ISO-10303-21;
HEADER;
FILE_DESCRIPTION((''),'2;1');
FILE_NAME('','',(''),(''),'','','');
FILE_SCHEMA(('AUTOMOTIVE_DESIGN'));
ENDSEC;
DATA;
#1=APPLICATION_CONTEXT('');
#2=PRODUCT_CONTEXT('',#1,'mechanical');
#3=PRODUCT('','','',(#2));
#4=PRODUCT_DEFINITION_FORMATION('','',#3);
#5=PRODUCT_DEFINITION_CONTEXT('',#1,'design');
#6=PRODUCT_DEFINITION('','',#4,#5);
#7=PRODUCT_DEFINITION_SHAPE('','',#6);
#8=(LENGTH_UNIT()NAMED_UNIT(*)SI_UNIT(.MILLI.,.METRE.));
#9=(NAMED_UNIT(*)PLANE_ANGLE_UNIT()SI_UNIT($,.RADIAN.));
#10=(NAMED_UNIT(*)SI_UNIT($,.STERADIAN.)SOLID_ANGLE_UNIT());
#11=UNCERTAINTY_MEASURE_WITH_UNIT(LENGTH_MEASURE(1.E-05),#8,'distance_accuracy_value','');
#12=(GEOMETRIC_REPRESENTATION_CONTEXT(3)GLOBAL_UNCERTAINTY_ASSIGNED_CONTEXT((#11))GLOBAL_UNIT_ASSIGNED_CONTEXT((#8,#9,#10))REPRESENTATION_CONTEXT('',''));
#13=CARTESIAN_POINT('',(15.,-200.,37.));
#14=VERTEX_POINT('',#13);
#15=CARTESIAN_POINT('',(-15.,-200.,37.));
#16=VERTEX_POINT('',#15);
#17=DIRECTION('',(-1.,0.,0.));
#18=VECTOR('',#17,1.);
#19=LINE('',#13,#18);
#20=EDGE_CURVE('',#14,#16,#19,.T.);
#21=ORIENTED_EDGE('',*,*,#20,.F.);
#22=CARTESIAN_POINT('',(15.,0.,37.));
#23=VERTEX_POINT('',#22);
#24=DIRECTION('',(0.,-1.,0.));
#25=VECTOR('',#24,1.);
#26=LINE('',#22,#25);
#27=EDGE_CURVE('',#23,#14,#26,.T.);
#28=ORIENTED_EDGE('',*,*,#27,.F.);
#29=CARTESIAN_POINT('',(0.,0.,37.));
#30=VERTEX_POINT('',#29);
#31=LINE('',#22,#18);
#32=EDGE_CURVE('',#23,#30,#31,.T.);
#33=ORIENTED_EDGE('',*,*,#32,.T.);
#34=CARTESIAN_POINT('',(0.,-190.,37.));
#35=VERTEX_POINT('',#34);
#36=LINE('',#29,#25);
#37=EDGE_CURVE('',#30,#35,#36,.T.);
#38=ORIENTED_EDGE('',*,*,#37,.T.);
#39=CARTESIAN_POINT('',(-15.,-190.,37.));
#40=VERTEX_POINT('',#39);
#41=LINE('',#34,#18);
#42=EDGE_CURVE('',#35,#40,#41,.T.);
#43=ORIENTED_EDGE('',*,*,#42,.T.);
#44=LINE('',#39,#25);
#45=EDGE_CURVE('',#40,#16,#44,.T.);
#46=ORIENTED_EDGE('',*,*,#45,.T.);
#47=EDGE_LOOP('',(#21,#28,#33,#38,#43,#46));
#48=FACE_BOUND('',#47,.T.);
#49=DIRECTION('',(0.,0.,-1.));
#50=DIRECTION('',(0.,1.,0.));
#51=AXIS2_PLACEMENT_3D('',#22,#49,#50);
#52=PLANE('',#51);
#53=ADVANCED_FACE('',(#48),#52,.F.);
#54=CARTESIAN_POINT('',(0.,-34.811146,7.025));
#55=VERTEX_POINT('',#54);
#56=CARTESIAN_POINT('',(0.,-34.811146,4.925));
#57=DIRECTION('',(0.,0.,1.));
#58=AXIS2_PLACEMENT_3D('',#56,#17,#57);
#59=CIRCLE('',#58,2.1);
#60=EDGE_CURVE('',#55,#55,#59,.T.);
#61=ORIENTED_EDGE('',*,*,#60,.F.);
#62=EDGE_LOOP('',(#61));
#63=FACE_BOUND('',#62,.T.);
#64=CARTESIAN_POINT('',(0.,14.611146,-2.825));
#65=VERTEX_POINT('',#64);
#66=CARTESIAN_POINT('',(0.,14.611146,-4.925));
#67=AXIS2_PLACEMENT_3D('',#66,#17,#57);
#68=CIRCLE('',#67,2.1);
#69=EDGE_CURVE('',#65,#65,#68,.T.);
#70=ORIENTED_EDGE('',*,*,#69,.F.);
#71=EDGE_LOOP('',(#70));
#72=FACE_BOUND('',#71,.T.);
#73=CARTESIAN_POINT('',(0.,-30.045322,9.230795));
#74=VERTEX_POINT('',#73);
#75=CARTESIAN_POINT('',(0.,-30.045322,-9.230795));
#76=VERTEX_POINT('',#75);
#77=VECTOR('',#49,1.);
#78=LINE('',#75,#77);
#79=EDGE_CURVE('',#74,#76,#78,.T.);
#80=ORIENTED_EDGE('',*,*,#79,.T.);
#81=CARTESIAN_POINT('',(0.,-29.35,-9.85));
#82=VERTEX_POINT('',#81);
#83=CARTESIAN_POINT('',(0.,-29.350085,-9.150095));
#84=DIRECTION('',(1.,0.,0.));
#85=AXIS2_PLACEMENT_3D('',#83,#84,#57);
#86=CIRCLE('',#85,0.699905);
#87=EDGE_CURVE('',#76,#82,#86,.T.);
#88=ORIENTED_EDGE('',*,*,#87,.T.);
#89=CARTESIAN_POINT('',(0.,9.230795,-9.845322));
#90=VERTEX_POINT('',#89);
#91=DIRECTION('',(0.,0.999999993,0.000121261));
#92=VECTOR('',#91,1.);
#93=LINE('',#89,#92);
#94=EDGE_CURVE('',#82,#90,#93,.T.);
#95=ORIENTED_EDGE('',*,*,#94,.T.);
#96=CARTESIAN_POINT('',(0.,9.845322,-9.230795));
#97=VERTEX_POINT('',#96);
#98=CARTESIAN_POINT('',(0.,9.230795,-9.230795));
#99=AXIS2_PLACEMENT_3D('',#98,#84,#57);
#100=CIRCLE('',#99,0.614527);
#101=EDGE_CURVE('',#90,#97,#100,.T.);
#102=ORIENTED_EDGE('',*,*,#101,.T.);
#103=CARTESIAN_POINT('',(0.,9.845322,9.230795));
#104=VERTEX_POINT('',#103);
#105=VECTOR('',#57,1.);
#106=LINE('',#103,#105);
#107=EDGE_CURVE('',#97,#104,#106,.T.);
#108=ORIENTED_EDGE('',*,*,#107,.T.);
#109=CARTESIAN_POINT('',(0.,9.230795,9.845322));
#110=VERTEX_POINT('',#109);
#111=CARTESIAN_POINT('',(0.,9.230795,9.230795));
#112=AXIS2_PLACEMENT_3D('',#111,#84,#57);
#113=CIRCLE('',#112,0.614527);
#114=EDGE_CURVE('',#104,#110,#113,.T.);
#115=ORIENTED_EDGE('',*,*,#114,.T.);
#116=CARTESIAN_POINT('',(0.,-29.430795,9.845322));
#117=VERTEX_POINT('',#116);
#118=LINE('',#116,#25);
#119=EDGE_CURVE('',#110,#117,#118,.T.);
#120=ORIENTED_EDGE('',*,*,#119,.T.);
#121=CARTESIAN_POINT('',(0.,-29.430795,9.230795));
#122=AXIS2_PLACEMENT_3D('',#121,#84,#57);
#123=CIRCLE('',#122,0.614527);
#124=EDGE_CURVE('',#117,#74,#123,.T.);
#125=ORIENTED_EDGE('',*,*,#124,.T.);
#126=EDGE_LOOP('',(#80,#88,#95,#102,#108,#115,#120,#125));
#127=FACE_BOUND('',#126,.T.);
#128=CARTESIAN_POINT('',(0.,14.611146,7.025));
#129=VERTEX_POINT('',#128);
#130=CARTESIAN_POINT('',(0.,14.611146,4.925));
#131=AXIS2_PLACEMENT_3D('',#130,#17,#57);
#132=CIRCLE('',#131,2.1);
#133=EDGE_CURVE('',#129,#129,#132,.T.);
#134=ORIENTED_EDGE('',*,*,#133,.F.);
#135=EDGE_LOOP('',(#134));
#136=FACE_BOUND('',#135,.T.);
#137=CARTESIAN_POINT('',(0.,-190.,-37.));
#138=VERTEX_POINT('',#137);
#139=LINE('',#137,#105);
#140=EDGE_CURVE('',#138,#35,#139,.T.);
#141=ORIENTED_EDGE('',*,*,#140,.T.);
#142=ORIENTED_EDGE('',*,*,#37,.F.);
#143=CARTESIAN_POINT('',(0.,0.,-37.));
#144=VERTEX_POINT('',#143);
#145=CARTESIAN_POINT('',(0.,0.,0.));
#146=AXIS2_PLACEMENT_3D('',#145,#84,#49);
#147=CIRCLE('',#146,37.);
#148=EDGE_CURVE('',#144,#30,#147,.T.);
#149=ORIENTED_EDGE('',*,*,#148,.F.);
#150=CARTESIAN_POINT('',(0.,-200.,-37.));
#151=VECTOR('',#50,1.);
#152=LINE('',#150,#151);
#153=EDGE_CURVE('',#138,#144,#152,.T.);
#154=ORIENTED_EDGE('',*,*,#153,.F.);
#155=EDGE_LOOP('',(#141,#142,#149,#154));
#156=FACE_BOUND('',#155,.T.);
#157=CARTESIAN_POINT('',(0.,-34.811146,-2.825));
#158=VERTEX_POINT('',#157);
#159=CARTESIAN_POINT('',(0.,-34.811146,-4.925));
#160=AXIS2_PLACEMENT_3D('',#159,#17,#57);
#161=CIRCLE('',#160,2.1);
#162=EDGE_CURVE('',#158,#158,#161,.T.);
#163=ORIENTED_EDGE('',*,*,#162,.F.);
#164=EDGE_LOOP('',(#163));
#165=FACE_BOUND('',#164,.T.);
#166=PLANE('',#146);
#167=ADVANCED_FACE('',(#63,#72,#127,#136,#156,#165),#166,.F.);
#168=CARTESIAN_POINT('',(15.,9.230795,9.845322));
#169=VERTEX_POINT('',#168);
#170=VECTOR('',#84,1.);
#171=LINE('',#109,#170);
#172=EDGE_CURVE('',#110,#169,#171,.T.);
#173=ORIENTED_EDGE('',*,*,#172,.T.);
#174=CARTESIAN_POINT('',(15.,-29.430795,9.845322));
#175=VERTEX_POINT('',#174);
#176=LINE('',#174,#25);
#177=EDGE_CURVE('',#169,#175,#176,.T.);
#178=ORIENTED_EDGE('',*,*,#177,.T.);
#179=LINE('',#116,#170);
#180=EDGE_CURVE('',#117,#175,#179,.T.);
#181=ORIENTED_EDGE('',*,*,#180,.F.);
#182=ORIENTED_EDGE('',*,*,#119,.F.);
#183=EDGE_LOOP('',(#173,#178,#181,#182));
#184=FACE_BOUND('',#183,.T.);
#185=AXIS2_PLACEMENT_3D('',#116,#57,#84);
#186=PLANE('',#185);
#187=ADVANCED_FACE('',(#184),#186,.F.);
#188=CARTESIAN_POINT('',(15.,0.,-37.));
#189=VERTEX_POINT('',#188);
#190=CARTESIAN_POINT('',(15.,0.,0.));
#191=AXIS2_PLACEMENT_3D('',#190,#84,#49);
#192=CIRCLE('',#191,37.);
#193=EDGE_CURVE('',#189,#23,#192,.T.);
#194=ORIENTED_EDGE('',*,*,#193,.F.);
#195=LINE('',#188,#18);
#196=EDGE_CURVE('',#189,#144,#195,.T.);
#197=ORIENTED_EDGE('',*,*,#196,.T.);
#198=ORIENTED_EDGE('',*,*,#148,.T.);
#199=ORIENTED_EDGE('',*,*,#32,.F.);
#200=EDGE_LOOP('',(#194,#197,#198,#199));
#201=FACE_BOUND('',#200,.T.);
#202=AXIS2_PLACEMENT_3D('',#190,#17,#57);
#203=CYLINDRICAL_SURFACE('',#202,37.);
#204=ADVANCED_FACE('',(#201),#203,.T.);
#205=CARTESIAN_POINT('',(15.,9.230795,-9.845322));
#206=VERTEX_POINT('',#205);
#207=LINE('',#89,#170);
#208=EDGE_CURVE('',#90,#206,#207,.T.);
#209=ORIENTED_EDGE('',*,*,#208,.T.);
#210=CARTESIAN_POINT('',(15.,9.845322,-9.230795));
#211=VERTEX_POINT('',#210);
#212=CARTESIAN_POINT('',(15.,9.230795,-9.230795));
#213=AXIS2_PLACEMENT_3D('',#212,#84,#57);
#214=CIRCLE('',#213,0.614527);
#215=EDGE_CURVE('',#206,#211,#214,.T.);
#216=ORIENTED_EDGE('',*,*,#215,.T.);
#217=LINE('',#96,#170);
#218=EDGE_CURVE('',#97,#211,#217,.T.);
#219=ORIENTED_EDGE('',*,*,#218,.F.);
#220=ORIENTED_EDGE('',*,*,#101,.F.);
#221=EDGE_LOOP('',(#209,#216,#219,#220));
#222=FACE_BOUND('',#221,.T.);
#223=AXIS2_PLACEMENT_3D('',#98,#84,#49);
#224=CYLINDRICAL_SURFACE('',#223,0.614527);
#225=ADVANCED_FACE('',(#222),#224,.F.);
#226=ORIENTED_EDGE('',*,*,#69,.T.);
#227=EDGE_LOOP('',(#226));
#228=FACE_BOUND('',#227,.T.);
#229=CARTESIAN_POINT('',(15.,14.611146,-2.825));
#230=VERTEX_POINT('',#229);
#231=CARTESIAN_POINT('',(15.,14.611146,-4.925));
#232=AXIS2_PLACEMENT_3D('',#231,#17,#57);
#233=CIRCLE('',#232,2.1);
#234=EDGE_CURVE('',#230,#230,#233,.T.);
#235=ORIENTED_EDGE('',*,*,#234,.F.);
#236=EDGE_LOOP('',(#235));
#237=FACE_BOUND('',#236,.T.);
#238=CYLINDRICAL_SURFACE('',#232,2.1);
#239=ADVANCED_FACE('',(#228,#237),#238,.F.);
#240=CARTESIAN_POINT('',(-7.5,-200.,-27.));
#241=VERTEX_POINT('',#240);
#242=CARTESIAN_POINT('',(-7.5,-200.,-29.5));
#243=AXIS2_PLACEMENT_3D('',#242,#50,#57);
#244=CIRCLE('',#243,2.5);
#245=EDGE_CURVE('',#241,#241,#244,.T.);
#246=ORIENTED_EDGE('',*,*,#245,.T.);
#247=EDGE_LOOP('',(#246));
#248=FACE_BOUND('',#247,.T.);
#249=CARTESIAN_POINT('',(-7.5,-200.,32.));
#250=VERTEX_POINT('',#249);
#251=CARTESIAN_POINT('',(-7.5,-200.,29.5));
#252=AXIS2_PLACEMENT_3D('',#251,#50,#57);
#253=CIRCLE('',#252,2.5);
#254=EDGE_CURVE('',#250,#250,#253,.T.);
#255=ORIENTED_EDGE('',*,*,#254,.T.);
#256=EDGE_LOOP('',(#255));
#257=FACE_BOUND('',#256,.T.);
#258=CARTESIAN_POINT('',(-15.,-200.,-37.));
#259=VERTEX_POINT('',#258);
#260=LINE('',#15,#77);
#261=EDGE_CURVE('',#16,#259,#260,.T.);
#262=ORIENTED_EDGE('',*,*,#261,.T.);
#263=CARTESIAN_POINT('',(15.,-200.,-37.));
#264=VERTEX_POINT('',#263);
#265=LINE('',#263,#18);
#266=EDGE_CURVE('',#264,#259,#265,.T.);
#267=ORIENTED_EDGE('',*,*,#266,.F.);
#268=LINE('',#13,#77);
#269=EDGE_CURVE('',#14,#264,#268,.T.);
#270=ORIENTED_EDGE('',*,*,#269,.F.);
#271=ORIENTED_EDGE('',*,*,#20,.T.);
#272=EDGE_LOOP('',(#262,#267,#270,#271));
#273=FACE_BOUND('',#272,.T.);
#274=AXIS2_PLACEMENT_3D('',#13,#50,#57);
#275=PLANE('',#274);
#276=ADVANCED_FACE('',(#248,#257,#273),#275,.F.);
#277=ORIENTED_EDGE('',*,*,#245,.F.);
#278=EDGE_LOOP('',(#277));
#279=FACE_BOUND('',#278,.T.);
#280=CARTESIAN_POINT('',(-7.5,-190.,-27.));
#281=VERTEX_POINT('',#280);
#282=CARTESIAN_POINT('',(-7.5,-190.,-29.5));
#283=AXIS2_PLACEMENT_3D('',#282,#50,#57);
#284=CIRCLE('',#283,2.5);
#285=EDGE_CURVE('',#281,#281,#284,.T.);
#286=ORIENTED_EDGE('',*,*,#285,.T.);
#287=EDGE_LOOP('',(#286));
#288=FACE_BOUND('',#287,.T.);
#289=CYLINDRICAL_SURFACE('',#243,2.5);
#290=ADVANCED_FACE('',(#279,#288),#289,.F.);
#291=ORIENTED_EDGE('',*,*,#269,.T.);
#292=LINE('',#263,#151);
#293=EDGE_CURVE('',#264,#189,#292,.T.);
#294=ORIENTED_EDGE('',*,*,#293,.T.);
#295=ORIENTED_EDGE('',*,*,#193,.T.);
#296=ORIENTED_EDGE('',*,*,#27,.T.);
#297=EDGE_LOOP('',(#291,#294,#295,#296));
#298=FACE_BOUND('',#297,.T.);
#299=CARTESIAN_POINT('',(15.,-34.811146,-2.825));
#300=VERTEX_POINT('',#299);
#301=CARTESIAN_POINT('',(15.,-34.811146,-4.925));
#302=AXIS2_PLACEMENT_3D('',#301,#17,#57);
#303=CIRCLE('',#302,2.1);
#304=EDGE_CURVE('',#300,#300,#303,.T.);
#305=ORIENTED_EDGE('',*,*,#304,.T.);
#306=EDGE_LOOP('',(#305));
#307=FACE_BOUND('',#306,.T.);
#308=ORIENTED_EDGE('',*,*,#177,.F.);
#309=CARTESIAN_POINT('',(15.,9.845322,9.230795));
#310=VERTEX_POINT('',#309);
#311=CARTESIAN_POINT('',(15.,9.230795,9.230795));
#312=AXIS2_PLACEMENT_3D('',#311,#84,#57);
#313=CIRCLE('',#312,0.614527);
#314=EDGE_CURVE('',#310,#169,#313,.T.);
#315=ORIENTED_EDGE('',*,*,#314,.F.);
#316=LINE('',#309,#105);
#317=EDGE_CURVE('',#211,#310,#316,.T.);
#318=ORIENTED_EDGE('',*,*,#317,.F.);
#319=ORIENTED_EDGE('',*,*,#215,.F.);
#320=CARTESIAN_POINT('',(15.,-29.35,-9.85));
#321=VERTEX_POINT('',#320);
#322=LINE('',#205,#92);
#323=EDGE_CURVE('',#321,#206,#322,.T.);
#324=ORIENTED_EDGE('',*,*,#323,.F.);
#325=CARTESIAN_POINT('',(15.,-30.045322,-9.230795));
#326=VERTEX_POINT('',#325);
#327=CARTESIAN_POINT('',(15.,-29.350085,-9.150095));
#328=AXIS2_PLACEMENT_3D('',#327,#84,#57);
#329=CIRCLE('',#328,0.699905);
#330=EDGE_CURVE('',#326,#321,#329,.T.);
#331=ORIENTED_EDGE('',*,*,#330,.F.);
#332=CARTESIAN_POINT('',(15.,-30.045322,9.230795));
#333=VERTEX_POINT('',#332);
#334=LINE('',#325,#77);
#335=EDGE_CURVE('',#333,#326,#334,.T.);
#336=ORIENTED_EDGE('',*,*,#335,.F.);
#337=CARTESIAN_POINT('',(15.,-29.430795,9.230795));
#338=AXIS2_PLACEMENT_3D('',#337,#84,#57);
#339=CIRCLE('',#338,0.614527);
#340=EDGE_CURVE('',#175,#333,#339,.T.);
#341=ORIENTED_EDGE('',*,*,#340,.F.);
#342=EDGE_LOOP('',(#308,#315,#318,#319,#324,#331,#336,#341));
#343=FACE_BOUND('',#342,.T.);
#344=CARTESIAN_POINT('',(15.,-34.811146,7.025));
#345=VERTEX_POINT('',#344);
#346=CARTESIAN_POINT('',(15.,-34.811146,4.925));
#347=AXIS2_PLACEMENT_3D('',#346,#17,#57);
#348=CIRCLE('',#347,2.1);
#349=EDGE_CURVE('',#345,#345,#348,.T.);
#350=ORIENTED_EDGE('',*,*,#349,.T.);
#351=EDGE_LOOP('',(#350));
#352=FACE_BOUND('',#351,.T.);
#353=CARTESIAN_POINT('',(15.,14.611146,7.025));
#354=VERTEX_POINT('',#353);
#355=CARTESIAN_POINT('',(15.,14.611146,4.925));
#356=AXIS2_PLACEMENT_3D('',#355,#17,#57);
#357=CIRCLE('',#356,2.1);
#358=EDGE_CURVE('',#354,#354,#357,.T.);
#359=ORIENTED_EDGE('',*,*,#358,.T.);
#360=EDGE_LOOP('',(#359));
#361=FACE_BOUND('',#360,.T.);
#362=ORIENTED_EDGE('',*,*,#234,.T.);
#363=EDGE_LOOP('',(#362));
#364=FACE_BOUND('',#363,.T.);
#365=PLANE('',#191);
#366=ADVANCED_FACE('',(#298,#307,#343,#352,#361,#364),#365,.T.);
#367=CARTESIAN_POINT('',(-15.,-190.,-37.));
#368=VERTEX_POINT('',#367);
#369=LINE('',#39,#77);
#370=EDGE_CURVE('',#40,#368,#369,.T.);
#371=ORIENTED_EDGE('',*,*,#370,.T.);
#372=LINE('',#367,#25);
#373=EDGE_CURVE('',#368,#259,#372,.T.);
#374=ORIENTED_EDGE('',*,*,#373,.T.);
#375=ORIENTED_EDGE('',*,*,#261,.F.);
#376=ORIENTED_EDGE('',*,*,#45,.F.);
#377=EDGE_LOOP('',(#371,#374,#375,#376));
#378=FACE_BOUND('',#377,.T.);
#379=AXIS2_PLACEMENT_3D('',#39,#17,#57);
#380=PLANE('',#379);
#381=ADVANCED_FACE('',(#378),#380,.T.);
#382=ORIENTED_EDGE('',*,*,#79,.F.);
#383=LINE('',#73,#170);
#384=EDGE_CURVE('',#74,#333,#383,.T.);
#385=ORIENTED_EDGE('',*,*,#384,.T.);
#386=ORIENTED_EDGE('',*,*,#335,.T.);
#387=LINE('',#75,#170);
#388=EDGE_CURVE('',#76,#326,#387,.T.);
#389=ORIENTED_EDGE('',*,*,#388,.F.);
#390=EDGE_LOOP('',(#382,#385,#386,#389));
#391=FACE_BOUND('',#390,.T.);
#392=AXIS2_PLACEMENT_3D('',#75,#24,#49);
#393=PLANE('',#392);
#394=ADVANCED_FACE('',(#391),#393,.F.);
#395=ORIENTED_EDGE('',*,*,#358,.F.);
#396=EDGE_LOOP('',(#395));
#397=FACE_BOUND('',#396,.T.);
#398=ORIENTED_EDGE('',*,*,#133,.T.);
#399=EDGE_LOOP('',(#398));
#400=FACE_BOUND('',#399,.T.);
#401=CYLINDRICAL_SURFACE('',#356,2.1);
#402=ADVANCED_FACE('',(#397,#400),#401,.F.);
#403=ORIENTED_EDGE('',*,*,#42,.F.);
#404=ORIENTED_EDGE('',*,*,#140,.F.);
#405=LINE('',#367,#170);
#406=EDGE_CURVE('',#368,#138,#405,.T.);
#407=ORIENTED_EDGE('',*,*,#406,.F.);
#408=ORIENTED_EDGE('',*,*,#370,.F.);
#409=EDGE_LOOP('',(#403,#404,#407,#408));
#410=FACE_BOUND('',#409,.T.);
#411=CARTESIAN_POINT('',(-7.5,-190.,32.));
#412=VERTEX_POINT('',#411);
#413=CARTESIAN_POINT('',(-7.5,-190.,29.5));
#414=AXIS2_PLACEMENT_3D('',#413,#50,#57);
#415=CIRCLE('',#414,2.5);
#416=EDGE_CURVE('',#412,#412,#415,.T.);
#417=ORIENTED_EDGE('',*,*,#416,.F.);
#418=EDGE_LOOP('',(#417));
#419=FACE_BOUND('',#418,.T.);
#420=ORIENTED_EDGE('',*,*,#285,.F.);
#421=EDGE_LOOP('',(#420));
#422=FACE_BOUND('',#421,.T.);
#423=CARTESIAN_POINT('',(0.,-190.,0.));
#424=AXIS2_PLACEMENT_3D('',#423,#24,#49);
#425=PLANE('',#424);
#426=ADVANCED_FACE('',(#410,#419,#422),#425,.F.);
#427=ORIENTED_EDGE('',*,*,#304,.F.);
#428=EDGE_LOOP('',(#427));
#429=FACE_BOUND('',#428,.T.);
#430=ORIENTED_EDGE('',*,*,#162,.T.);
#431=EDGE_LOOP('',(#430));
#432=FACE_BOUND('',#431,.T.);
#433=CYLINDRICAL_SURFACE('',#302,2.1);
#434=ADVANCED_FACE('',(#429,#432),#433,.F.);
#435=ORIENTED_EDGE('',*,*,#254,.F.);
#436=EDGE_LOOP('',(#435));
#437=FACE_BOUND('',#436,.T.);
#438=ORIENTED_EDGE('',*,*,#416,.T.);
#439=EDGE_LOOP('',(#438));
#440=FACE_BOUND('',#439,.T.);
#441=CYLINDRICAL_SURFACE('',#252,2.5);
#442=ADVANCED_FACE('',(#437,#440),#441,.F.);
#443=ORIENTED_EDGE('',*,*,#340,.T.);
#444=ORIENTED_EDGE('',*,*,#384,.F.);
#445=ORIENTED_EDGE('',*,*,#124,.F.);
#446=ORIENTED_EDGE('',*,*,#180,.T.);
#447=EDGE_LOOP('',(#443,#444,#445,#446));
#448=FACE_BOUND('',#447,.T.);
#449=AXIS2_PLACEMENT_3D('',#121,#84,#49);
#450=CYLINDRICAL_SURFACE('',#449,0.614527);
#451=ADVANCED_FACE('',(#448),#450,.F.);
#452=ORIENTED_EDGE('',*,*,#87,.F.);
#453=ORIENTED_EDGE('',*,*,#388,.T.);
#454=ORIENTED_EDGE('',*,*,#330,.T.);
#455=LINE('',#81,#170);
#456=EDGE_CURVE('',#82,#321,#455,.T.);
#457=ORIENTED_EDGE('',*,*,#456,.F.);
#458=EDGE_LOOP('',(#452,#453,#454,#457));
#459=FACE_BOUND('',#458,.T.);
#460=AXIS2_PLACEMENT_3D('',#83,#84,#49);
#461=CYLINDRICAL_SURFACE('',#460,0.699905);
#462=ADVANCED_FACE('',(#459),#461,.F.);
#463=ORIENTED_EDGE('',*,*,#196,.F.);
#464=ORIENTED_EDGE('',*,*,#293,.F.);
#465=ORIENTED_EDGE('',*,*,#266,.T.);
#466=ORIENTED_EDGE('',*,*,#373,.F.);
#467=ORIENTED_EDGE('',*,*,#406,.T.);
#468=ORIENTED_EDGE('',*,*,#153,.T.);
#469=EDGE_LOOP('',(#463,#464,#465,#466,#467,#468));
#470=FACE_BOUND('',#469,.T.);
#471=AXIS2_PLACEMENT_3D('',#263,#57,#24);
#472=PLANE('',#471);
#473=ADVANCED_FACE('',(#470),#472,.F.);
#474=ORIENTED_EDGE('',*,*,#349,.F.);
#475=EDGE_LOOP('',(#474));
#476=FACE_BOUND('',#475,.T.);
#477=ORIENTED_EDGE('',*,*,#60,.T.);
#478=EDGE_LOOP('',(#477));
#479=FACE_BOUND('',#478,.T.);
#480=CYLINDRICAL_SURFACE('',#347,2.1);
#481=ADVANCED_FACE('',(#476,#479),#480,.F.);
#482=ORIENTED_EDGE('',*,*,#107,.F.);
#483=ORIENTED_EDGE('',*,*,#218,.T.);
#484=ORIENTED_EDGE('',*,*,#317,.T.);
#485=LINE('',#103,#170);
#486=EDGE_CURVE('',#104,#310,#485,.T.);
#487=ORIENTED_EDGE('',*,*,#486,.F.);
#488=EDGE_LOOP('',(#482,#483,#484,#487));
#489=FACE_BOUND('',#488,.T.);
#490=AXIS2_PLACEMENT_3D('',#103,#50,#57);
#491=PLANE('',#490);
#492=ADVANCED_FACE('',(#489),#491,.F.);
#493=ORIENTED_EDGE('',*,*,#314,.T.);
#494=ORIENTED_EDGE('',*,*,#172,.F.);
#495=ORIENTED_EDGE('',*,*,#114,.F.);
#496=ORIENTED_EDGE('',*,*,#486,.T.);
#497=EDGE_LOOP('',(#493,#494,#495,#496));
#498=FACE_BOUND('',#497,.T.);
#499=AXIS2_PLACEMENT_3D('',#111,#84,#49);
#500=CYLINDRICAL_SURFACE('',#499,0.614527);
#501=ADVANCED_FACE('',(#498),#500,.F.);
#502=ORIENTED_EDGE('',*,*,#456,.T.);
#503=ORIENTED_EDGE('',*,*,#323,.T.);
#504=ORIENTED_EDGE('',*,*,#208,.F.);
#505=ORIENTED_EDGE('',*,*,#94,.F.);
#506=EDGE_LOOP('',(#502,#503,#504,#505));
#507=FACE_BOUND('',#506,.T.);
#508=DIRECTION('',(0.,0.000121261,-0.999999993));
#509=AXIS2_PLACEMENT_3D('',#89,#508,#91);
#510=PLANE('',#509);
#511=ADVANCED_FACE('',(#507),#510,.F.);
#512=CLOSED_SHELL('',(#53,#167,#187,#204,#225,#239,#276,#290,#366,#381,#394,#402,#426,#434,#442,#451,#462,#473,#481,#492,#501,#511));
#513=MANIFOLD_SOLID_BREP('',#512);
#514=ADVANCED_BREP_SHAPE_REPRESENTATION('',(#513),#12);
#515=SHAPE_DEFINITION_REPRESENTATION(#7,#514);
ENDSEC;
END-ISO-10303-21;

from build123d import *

# Parameters (mm, degrees)
BOSS_EXTRUDE1_DEPTH = 15
CUT_EXTRUDE2_DEPTH  = 15
SKETCH4_W           = 15
SKETCH4_H           = 74
BOSS_EXTRUDE2_DEPTH = 10
SKETCH5_R           = 2.5
CUT_EXTRUDE3_DEPTH  = 10
SKETCH6_R           = 2.1
CUT_EXTRUDE4_DEPTH  = 16


with BuildPart() as part:
    # Sketch1 → Boss-Extrude1 (new body)
    with BuildSketch(Plane(origin=(0, 0, 0), x_dir=(0, 0, -1), z_dir=(1, 0, 0))):
        with BuildLine():
            Line((-37, 0), (-37, -200))
            Line((-37, -200), (37, -200))
            Line((37, -200), (37, 0))
            ThreePointArc((37, 0), (0, 37), (-37, 0))
        make_face()
    extrude(amount=BOSS_EXTRUDE1_DEPTH)

    # Sketch3 → Cut-Extrude2 (cut)
    with BuildSketch(Plane(origin=(15, 0, 0), x_dir=(0, 0, -1), z_dir=(1, 0, 0))):
        with BuildLine():
            Line((9.845321657, 9.230794756), (9.85, -29.35))
            ThreePointArc((9.85, -29.35), (9.672784276, -29.815555418), (9.230794756, -30.045321657))
            Line((9.230794756, -30.045321657), (-9.230794756, -30.045321657))
            ThreePointArc((-9.230794756, -30.045321657), (-9.665330895, -29.865330895), (-9.845321657, -29.430794756))
            Line((-9.845321657, -29.430794756), (-9.845321657, 9.230794756))
            ThreePointArc((-9.845321657, 9.230794756), (-9.665330895, 9.665330895), (-9.230794756, 9.845321657))
            Line((-9.230794756, 9.845321657), (9.230794756, 9.845321657))
            ThreePointArc((9.230794756, 9.845321657), (9.665330895, 9.665330895), (9.845321657, 9.230794756))
        make_face()
    extrude(amount=-CUT_EXTRUDE2_DEPTH, mode=Mode.SUBTRACT)

    # Sketch4 → Boss-Extrude2 (add)
    with BuildSketch(Plane.XZ.offset(200)):
        with Locations((-7.5, 0)):
            Rectangle(SKETCH4_W, SKETCH4_H)
    extrude(amount=-BOSS_EXTRUDE2_DEPTH)

    # Sketch5 → Cut-Extrude3 (cut)
    with BuildSketch(Plane(origin=(0, -190, 0), x_dir=(1, 0, 0), z_dir=(0, 1, 0))):
        with Locations((-7.5, 29.5)):
            Circle(SKETCH5_R)
        with Locations((-7.5, -29.5)):
            Circle(SKETCH5_R)
    extrude(amount=-CUT_EXTRUDE3_DEPTH, mode=Mode.SUBTRACT)

    # Sketch6 → Cut-Extrude4 (cut, through all)
    with BuildSketch(Plane.ZY):
        with Locations((4.925, 14.611145618)):
            Circle(SKETCH6_R)
        with Locations((-4.925, 14.611145618)):
            Circle(SKETCH6_R)
        with Locations((4.925, -34.811145618)):
            Circle(SKETCH6_R)
        with Locations((-4.925, -34.811145618)):
            Circle(SKETCH6_R)
    extrude(amount=-CUT_EXTRUDE4_DEPTH, mode=Mode.SUBTRACT)


solid = part.part
